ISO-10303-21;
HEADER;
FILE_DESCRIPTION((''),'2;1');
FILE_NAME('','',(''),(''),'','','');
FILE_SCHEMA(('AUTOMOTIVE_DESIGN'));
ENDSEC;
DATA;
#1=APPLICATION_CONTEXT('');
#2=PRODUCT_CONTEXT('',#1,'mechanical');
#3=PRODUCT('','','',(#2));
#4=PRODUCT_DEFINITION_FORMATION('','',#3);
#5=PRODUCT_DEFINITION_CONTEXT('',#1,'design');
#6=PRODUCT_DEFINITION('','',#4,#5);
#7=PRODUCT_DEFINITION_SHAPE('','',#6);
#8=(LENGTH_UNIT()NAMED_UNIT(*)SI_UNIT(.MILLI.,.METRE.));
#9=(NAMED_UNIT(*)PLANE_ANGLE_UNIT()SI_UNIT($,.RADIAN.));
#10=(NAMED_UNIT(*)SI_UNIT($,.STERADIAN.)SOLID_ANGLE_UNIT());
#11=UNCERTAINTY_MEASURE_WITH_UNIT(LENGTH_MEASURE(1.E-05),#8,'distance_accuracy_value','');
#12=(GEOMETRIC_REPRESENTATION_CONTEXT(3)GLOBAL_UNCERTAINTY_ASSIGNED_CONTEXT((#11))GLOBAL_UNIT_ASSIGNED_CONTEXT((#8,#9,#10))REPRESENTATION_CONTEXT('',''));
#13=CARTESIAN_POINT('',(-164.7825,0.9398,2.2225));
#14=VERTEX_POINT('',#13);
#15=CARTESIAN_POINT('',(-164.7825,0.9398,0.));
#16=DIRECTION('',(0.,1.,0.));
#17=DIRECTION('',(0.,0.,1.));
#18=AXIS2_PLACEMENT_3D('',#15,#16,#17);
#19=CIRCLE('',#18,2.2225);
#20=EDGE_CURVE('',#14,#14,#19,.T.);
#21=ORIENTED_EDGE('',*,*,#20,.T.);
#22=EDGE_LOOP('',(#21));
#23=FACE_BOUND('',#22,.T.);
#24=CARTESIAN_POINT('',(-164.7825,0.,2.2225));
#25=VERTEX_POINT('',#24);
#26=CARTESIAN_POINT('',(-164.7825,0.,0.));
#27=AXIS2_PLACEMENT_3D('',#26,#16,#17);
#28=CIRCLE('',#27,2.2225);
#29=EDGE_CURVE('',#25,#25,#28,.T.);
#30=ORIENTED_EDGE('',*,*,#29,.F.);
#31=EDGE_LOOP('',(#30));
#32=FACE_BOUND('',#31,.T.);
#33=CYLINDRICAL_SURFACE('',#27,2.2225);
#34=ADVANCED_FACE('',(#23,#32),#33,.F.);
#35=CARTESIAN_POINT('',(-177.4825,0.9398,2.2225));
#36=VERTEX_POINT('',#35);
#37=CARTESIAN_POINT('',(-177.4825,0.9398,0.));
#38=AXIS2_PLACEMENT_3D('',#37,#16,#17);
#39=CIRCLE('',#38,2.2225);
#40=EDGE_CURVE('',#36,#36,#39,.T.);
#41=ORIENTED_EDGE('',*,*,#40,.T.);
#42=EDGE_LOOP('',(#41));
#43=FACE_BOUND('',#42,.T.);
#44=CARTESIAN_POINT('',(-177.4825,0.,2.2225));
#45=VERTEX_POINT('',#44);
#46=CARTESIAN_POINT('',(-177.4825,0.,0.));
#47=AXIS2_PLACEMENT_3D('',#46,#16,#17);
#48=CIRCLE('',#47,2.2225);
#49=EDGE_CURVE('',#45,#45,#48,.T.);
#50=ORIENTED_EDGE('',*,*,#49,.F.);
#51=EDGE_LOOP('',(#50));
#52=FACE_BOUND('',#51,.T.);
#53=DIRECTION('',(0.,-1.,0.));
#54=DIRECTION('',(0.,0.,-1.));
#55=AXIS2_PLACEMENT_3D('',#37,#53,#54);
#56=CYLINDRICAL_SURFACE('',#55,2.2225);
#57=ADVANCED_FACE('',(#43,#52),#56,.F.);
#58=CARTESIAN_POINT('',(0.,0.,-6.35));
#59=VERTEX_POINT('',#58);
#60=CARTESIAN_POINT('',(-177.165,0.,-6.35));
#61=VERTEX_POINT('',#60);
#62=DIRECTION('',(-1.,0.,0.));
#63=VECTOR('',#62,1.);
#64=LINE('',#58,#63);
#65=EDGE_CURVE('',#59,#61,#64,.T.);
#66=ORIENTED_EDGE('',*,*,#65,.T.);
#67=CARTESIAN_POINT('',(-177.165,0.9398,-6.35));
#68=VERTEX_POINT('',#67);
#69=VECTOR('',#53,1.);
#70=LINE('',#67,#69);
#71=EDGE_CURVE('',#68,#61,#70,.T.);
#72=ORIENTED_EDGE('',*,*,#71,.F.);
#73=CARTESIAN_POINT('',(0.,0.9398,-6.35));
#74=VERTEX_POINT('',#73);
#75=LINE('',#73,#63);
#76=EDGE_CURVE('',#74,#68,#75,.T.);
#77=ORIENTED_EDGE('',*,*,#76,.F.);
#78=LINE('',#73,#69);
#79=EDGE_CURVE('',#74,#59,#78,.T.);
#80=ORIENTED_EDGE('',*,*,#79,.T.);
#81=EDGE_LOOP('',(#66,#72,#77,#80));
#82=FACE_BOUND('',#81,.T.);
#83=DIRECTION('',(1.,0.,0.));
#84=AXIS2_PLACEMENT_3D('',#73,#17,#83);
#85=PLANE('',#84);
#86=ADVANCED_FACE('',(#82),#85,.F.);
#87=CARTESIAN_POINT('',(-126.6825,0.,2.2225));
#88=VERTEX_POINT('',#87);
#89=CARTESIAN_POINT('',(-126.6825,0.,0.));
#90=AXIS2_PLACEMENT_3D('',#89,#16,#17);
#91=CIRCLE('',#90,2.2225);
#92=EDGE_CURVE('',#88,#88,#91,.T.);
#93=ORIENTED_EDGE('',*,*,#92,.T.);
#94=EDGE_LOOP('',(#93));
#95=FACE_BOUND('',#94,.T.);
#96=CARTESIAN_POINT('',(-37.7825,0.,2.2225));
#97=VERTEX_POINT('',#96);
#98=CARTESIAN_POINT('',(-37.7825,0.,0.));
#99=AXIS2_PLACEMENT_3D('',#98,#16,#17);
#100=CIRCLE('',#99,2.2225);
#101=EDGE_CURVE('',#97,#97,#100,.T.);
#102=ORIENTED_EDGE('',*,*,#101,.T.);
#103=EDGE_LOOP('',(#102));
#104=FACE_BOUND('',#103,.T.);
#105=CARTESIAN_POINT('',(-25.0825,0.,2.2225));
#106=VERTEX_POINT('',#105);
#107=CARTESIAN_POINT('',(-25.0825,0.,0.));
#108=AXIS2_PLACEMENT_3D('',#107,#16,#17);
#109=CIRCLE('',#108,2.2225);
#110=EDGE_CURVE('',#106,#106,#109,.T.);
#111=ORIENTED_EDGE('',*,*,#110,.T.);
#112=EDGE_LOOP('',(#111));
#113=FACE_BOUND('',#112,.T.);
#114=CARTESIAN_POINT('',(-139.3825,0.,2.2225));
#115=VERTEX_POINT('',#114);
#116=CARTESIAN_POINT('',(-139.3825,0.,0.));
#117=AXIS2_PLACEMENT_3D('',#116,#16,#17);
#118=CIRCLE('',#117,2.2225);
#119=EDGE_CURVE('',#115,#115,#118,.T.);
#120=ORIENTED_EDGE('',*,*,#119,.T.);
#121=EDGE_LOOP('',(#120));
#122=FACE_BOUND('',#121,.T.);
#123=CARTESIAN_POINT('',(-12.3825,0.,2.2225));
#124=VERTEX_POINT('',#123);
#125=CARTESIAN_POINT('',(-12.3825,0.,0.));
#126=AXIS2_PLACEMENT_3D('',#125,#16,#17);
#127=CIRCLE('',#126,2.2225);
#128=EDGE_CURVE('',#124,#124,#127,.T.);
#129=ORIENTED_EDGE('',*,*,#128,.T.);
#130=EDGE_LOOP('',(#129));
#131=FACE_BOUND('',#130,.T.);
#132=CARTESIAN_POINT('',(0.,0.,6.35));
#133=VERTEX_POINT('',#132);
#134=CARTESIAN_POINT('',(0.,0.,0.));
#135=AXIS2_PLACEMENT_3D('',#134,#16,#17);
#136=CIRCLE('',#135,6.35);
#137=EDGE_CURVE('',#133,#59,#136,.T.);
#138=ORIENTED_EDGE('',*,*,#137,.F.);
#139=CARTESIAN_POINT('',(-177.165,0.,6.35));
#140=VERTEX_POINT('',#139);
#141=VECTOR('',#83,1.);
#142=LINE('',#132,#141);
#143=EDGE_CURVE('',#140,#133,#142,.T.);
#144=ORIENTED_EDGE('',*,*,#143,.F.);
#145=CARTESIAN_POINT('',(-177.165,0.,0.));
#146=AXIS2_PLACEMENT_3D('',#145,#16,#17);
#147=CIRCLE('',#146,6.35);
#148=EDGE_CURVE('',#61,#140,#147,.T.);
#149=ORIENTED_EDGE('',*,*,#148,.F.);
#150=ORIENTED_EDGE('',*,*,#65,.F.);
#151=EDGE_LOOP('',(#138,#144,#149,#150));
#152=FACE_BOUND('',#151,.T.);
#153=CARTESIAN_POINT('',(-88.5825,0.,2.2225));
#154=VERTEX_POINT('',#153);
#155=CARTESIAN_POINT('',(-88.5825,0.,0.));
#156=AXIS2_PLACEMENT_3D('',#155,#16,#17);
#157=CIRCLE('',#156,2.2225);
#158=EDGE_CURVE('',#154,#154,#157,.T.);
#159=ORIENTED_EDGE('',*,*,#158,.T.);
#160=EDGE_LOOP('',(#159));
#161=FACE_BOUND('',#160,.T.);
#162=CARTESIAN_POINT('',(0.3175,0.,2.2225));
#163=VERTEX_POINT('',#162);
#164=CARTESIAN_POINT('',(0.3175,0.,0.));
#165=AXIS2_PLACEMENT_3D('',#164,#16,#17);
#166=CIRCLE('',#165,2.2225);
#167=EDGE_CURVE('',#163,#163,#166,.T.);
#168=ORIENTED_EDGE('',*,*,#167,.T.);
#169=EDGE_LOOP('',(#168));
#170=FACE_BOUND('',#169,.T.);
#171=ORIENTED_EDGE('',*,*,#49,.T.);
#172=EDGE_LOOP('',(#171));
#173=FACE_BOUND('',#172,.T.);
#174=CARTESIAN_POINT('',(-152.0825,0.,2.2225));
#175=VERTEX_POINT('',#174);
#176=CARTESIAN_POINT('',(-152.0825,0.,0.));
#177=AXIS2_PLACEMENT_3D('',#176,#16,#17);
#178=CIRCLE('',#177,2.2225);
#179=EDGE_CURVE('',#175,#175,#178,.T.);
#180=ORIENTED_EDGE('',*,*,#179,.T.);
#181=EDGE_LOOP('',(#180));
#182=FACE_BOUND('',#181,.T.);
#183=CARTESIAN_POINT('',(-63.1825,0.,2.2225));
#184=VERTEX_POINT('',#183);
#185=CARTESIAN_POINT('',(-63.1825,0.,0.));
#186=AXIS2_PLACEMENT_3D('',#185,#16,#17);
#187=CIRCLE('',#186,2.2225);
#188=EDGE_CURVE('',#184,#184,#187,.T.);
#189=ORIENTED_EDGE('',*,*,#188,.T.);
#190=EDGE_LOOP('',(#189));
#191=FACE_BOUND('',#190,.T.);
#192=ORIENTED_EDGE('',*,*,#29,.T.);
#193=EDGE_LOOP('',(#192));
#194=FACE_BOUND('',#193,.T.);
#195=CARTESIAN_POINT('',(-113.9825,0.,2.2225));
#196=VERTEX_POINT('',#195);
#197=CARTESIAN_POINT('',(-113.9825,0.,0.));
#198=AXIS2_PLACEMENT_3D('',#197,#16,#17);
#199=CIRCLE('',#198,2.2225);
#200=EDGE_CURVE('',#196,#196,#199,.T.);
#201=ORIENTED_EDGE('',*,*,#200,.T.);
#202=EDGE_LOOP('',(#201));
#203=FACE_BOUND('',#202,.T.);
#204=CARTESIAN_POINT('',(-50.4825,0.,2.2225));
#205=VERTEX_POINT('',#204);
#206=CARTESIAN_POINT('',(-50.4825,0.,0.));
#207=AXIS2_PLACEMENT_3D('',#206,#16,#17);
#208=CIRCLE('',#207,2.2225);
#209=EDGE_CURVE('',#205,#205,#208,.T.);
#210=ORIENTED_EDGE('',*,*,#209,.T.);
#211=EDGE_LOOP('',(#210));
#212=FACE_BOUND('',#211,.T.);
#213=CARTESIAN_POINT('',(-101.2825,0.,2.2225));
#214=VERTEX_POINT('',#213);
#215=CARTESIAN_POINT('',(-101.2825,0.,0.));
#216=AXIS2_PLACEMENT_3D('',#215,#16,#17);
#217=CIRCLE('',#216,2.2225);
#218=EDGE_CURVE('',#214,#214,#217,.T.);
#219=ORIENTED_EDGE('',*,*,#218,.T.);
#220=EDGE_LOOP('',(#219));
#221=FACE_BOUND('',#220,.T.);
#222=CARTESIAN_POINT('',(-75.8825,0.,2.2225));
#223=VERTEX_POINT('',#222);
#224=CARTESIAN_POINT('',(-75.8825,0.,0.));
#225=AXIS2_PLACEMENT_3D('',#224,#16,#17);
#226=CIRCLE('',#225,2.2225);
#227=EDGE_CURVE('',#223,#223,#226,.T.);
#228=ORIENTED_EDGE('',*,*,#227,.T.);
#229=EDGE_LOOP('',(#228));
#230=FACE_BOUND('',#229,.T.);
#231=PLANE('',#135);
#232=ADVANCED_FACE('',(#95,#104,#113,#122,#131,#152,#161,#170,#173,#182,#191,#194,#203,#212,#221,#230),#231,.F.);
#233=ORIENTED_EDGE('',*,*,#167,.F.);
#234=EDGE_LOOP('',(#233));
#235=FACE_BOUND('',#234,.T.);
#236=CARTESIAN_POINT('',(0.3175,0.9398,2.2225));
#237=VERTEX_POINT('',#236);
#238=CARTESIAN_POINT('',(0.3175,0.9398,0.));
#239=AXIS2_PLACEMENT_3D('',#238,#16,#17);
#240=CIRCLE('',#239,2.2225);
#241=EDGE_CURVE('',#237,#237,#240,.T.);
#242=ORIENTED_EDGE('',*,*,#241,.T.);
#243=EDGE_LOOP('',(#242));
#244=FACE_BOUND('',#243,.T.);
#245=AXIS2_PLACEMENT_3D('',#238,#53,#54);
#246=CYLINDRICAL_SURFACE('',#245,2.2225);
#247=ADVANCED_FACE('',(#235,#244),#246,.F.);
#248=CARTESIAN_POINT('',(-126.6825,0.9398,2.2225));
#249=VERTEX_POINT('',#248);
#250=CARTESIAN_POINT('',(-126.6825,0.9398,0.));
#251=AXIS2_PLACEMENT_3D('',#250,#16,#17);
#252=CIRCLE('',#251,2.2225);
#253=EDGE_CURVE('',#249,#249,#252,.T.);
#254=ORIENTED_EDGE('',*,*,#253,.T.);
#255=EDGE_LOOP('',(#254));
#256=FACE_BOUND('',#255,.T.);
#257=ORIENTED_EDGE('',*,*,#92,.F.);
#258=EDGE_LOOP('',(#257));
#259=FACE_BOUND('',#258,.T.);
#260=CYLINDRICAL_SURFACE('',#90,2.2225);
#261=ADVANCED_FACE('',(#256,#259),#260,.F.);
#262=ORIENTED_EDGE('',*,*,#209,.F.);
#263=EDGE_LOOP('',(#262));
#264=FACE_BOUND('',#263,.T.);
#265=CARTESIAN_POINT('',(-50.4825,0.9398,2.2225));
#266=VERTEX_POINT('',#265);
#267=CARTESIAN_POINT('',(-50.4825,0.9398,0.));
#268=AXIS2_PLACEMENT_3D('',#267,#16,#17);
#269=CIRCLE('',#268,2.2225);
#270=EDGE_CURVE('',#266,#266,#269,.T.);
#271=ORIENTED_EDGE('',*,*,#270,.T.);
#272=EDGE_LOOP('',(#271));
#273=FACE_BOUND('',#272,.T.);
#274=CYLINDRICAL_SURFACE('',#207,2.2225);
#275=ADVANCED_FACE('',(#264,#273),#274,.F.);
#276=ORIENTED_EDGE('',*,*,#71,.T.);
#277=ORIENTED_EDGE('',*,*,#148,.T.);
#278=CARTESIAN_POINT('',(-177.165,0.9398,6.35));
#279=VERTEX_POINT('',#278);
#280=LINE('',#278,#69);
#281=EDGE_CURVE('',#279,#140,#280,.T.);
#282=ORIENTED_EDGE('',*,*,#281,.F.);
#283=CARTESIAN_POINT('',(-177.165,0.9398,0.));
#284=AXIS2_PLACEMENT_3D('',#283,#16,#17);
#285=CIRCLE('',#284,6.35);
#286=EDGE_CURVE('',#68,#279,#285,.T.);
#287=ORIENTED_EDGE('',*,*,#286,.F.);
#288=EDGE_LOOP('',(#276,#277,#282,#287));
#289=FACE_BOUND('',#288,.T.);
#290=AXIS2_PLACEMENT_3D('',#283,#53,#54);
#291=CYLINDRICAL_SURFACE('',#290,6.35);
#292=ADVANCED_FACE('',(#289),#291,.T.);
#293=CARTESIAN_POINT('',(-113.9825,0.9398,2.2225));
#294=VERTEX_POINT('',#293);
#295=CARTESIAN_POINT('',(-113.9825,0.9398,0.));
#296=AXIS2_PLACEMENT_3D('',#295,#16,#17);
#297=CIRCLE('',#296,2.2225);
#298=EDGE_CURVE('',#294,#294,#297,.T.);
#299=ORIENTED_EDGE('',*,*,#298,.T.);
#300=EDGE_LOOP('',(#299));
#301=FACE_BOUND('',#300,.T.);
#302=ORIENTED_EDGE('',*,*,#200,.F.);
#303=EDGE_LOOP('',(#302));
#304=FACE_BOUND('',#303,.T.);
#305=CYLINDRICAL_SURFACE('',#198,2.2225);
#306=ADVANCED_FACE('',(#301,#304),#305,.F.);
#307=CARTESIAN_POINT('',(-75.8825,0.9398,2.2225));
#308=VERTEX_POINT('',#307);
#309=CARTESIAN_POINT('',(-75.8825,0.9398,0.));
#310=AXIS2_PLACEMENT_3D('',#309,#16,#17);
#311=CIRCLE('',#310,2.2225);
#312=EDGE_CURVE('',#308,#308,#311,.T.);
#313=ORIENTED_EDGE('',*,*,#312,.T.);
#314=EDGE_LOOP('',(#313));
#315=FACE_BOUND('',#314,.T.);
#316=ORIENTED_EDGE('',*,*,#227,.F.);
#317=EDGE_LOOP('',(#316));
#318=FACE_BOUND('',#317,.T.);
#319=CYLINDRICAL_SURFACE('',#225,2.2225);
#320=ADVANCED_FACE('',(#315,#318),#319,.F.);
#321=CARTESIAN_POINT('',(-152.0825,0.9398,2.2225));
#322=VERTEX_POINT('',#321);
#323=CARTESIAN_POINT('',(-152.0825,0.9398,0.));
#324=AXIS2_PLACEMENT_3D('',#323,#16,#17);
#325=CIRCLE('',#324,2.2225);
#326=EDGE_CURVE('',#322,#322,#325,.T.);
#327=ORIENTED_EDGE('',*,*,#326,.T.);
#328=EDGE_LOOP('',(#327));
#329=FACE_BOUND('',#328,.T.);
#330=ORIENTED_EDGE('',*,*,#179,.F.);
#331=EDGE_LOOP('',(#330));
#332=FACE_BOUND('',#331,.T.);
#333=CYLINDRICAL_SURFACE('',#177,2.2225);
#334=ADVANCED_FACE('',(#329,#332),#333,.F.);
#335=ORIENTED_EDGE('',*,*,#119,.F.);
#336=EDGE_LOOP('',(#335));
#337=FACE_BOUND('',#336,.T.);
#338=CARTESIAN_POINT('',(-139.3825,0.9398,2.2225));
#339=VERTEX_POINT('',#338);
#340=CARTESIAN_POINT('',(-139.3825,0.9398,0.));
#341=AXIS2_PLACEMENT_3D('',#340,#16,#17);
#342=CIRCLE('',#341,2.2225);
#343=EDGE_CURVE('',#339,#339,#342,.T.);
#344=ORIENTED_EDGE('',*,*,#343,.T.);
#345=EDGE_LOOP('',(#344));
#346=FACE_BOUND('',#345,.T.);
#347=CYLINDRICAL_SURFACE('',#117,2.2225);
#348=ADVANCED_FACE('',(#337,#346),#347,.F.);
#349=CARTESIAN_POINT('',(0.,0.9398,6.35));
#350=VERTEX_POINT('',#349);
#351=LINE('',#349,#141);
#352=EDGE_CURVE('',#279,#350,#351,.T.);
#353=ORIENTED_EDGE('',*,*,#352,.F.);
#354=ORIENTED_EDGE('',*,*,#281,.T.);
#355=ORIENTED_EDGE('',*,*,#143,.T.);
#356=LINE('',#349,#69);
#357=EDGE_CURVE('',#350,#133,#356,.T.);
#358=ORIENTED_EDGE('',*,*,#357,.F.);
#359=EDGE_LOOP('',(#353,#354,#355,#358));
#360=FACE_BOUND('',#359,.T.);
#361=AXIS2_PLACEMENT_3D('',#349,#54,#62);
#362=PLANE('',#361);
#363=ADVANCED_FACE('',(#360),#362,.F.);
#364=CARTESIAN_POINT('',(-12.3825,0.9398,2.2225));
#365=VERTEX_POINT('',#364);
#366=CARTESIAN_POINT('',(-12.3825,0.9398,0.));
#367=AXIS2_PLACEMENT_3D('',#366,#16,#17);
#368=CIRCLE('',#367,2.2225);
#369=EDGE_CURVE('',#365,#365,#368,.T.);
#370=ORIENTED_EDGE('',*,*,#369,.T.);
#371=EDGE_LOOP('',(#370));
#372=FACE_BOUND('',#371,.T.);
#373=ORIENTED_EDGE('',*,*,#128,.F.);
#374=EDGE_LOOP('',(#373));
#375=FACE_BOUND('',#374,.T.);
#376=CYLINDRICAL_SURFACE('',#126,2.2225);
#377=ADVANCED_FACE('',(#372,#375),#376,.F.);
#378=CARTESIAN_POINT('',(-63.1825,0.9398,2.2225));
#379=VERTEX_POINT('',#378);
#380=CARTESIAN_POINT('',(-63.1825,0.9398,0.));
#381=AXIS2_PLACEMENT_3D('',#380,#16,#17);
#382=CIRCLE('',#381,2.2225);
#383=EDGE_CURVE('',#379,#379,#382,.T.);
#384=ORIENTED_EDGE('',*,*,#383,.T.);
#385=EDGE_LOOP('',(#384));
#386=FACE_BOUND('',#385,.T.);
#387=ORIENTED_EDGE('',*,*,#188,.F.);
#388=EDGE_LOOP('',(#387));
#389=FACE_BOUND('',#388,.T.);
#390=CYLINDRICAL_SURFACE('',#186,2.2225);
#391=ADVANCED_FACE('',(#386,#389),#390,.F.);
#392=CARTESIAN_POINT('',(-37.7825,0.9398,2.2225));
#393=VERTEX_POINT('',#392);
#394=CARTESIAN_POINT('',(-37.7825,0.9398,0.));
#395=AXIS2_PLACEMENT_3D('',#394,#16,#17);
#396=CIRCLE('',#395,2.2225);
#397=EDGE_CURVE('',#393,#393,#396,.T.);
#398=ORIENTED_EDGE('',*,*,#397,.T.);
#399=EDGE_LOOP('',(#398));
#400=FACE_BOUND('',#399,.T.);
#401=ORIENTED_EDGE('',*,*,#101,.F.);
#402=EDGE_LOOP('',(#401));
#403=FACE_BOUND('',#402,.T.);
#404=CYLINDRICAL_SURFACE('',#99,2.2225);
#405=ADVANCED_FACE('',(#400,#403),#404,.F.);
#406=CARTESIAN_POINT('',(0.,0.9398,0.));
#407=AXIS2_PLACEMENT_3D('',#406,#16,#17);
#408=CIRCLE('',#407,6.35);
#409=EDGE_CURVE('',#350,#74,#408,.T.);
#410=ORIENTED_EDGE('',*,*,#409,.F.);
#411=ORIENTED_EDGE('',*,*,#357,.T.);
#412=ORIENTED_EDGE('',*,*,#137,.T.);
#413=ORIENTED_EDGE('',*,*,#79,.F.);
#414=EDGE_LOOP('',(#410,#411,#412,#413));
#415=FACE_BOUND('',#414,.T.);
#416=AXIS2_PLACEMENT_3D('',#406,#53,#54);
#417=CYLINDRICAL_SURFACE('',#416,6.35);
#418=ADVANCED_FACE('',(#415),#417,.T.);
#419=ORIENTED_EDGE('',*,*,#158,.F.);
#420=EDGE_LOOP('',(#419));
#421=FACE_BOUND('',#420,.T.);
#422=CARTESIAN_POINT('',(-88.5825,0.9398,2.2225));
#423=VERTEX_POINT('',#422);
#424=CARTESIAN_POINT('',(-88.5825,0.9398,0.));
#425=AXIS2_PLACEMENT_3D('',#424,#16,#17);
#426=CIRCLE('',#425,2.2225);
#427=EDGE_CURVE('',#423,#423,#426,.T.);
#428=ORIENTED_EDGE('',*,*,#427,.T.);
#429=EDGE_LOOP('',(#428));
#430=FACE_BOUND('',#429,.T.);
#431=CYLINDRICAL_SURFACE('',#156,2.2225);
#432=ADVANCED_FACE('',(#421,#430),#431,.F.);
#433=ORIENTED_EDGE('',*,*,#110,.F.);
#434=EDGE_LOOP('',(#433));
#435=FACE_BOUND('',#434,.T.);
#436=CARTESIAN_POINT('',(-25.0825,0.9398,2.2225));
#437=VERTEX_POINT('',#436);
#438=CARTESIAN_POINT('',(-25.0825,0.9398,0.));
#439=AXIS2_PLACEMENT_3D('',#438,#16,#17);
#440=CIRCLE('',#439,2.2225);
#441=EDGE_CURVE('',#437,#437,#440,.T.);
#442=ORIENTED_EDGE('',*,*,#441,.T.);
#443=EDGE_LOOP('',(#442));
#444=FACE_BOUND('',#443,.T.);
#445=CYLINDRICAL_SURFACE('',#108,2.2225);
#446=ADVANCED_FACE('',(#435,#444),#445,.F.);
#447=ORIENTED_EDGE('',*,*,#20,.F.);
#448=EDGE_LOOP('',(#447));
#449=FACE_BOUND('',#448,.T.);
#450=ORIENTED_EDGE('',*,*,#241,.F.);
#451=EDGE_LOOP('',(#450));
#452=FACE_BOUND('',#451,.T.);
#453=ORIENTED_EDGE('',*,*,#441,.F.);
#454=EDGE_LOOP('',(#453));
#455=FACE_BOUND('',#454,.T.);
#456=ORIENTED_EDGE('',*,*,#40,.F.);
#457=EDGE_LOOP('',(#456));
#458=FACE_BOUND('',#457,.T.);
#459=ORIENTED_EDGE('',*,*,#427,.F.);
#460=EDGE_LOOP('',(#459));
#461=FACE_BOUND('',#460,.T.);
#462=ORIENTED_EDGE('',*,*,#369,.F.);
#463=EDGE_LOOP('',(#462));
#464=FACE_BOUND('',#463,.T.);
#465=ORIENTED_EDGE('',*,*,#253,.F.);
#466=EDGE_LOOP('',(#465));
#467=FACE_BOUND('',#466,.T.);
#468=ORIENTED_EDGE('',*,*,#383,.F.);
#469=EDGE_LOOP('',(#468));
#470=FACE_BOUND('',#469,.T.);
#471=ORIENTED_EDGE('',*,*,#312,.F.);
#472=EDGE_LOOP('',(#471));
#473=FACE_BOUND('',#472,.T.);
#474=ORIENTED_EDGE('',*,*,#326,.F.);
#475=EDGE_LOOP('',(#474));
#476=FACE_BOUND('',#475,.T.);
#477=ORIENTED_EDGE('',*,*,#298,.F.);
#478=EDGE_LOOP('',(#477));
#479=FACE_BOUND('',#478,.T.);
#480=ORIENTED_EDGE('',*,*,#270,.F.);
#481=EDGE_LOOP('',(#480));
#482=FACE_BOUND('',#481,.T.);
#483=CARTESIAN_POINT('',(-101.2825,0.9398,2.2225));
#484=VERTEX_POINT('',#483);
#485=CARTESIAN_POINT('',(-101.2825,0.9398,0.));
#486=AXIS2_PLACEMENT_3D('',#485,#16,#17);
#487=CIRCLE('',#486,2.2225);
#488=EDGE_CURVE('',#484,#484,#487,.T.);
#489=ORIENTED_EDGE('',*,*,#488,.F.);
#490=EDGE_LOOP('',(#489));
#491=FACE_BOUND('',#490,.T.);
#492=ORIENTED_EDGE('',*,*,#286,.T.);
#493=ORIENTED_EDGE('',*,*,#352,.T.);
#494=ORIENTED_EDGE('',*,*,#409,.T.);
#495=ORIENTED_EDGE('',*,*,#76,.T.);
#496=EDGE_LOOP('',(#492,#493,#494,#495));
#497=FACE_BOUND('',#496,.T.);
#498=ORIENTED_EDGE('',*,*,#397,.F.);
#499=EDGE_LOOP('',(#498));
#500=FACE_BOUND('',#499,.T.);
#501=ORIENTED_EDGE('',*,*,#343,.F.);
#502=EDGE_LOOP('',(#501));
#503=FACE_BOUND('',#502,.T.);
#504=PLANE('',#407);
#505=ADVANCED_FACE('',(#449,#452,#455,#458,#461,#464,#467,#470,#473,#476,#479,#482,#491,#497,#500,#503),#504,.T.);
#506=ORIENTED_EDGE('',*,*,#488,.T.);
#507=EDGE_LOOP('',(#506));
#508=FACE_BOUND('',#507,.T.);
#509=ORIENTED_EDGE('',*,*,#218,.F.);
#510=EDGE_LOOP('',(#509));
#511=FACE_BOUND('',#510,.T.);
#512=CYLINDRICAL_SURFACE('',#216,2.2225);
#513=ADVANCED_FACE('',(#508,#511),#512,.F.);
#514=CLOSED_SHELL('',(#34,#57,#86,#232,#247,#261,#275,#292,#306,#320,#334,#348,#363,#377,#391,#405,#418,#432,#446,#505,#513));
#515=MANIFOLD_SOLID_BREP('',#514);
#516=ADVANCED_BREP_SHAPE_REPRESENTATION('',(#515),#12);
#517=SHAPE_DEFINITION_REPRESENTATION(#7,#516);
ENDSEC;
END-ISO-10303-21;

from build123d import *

# Parameters (mm, degrees)
SKETCH1_R                = 2.2225
BAR_DEPTH                = 0.9398
SKETCH2_R                = 2.2225
CENTER_HOLE_DEPTH        = 184.62723368
OTHER_CENTER_HOLES_COUNT = 13
OTHER_CENTER_HOLES_PITCH = 12.7


with BuildPart() as part:
    # Sketch1 → Bar (new body)
    with BuildSketch(Plane(origin=(0, 0, 0), x_dir=(-1, 0, 0), z_dir=(0, 1, 0))):
        with BuildLine():
            Line((177.165, 6.35), (0, 6.35))
            ThreePointArc((0, 6.35), (-6.35, 0), (0, -6.35))
            Line((0, -6.35), (177.165, -6.35))
            ThreePointArc((177.165, -6.35), (183.515, 0), (177.165, 6.35))
        make_face()
        with Locations(Location((177.4825, 0, 0), (0, 0, 90))):
            Circle(SKETCH1_R, mode=Mode.SUBTRACT)
        with Locations(Location((-0.3175, 0, 0), (0, 0, 90))):
            Circle(SKETCH1_R, mode=Mode.SUBTRACT)
    extrude(amount=BAR_DEPTH)

    # Sketch2 → Center Hole (cut, through all)
    with BuildSketch(Plane(origin=(0, 0.9398, 0), x_dir=(1, 0, 0), z_dir=(0, 1, 0))):
        with Locations(Location((-164.7825, 0, 0), (0, 0, 270))):
            Circle(SKETCH2_R)
    center_hole = extrude(amount=-CENTER_HOLE_DEPTH, mode=Mode.SUBTRACT)

    # Other Center Holes: Center Hole ×13
    with Locations(*[(i * OTHER_CENTER_HOLES_PITCH, 0, 0) for i in range(1, OTHER_CENTER_HOLES_COUNT)]):
        add(center_hole, mode=Mode.SUBTRACT)


solid = part.part
